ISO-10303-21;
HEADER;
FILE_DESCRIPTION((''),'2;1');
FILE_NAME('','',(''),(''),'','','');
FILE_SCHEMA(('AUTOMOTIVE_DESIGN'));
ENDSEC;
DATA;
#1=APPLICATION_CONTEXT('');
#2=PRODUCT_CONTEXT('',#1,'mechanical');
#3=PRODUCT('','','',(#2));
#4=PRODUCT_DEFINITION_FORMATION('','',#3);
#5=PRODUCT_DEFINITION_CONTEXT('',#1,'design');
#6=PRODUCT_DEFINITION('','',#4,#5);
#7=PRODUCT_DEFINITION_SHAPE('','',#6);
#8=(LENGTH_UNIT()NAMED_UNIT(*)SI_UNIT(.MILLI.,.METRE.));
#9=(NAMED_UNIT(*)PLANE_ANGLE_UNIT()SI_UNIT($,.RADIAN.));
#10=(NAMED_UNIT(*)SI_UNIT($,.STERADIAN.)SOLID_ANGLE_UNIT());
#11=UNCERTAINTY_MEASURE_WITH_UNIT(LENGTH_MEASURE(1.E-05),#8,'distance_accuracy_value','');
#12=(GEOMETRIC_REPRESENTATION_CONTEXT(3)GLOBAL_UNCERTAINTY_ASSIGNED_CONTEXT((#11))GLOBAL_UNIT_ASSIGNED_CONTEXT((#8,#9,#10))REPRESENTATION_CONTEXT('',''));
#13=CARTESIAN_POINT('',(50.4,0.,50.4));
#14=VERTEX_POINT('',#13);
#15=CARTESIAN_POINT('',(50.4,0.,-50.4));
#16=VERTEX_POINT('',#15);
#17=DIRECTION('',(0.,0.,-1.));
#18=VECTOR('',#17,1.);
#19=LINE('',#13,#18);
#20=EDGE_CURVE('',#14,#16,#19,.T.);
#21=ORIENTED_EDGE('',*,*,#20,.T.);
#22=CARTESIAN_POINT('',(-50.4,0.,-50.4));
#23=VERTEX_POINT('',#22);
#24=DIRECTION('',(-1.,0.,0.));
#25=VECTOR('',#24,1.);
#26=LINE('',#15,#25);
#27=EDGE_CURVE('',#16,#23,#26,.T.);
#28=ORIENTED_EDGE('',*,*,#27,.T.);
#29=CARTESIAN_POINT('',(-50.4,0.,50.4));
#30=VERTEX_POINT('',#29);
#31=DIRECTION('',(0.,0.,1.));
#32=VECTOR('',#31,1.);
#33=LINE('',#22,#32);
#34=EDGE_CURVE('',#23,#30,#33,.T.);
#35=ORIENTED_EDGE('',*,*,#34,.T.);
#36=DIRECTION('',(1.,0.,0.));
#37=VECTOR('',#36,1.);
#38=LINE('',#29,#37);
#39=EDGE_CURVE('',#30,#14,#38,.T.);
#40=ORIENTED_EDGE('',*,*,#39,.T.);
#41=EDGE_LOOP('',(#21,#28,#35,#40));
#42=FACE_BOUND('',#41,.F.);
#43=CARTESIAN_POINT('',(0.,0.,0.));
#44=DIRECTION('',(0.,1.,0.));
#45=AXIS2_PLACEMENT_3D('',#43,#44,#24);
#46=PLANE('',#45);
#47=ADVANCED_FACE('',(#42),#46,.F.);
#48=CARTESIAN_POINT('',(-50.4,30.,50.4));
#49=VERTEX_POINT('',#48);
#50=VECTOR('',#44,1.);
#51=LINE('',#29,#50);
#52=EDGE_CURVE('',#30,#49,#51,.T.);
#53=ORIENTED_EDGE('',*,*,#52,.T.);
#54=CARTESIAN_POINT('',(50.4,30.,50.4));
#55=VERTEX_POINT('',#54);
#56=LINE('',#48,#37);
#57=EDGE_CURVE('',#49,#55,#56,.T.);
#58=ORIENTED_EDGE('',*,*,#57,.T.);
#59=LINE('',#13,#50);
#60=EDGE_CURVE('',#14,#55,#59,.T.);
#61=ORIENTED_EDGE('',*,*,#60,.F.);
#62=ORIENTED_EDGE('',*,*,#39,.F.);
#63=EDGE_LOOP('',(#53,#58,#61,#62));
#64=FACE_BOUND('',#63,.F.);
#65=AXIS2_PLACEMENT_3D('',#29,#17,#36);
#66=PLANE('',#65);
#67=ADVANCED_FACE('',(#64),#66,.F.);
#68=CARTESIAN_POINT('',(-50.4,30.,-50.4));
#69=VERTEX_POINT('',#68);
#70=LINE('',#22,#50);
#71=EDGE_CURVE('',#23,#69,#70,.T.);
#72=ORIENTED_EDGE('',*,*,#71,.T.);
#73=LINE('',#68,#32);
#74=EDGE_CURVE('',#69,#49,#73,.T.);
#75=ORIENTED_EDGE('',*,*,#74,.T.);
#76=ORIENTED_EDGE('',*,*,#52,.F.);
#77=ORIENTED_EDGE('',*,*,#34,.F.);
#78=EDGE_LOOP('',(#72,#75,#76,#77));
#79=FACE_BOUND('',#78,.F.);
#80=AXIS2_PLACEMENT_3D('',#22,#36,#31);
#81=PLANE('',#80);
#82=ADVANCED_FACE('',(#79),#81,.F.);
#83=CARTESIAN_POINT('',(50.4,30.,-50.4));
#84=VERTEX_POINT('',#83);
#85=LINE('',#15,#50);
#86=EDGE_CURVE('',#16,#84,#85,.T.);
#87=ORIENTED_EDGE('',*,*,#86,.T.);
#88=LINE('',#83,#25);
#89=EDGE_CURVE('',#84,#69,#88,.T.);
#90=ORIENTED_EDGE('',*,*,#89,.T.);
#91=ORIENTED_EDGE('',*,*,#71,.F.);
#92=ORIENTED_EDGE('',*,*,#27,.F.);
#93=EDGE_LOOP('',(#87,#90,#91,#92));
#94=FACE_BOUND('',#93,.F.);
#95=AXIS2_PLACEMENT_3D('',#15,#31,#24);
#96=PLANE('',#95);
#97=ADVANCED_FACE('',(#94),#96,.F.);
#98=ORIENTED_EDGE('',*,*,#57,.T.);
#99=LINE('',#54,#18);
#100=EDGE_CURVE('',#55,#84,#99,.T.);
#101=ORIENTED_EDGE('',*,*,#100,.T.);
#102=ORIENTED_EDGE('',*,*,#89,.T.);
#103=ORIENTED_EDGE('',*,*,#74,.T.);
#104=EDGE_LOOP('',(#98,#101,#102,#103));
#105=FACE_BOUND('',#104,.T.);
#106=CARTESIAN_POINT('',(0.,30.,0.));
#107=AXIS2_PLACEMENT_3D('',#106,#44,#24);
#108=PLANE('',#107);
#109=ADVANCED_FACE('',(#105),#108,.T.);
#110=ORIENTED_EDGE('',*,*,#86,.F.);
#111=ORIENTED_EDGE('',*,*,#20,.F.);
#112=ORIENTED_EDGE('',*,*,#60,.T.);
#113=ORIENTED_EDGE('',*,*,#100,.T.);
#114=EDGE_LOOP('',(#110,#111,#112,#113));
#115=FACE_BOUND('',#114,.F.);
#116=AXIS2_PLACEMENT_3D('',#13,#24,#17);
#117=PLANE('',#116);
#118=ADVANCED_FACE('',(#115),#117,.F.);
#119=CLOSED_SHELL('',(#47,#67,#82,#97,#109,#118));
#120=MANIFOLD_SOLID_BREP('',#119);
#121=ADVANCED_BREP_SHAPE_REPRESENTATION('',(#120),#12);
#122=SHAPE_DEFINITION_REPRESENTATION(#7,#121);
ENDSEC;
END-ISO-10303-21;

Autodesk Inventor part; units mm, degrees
ref_plane "YZ Plane" through (0, 0, 0) normal (1, 0, 0) x (0, 1, 0)
ref_plane "XZ Plane" through (0, 0, 0) normal (0, 1, 0) x (-1, 0, 0)
ref_plane "XY Plane" through (0, 0, 0) normal (0, 0, 1) x (1, 0, 0)
sketch "Sketch1" plane through (0, 0, 0) normal (0, 1, 0) x (-1, 0, 0)
  line L0 (50.4, 50.4) -> (-50.4, 50.4)
  line L1 (-50.4, 50.4) -> (-50.4, -50.4)
  line L2 (-50.4, -50.4) -> (50.4, -50.4)
  line L3 (50.4, -50.4) -> (50.4, 50.4)
  point P0 (0, 0)
  point P1 (0, -50.4)
  point P2 (50.4, 0)
  dimension "d0" = 100.8
extrude "Extrusion1" add sketch "Sketch1" along normal blind 30
properties part number "Sheet_30mm"
